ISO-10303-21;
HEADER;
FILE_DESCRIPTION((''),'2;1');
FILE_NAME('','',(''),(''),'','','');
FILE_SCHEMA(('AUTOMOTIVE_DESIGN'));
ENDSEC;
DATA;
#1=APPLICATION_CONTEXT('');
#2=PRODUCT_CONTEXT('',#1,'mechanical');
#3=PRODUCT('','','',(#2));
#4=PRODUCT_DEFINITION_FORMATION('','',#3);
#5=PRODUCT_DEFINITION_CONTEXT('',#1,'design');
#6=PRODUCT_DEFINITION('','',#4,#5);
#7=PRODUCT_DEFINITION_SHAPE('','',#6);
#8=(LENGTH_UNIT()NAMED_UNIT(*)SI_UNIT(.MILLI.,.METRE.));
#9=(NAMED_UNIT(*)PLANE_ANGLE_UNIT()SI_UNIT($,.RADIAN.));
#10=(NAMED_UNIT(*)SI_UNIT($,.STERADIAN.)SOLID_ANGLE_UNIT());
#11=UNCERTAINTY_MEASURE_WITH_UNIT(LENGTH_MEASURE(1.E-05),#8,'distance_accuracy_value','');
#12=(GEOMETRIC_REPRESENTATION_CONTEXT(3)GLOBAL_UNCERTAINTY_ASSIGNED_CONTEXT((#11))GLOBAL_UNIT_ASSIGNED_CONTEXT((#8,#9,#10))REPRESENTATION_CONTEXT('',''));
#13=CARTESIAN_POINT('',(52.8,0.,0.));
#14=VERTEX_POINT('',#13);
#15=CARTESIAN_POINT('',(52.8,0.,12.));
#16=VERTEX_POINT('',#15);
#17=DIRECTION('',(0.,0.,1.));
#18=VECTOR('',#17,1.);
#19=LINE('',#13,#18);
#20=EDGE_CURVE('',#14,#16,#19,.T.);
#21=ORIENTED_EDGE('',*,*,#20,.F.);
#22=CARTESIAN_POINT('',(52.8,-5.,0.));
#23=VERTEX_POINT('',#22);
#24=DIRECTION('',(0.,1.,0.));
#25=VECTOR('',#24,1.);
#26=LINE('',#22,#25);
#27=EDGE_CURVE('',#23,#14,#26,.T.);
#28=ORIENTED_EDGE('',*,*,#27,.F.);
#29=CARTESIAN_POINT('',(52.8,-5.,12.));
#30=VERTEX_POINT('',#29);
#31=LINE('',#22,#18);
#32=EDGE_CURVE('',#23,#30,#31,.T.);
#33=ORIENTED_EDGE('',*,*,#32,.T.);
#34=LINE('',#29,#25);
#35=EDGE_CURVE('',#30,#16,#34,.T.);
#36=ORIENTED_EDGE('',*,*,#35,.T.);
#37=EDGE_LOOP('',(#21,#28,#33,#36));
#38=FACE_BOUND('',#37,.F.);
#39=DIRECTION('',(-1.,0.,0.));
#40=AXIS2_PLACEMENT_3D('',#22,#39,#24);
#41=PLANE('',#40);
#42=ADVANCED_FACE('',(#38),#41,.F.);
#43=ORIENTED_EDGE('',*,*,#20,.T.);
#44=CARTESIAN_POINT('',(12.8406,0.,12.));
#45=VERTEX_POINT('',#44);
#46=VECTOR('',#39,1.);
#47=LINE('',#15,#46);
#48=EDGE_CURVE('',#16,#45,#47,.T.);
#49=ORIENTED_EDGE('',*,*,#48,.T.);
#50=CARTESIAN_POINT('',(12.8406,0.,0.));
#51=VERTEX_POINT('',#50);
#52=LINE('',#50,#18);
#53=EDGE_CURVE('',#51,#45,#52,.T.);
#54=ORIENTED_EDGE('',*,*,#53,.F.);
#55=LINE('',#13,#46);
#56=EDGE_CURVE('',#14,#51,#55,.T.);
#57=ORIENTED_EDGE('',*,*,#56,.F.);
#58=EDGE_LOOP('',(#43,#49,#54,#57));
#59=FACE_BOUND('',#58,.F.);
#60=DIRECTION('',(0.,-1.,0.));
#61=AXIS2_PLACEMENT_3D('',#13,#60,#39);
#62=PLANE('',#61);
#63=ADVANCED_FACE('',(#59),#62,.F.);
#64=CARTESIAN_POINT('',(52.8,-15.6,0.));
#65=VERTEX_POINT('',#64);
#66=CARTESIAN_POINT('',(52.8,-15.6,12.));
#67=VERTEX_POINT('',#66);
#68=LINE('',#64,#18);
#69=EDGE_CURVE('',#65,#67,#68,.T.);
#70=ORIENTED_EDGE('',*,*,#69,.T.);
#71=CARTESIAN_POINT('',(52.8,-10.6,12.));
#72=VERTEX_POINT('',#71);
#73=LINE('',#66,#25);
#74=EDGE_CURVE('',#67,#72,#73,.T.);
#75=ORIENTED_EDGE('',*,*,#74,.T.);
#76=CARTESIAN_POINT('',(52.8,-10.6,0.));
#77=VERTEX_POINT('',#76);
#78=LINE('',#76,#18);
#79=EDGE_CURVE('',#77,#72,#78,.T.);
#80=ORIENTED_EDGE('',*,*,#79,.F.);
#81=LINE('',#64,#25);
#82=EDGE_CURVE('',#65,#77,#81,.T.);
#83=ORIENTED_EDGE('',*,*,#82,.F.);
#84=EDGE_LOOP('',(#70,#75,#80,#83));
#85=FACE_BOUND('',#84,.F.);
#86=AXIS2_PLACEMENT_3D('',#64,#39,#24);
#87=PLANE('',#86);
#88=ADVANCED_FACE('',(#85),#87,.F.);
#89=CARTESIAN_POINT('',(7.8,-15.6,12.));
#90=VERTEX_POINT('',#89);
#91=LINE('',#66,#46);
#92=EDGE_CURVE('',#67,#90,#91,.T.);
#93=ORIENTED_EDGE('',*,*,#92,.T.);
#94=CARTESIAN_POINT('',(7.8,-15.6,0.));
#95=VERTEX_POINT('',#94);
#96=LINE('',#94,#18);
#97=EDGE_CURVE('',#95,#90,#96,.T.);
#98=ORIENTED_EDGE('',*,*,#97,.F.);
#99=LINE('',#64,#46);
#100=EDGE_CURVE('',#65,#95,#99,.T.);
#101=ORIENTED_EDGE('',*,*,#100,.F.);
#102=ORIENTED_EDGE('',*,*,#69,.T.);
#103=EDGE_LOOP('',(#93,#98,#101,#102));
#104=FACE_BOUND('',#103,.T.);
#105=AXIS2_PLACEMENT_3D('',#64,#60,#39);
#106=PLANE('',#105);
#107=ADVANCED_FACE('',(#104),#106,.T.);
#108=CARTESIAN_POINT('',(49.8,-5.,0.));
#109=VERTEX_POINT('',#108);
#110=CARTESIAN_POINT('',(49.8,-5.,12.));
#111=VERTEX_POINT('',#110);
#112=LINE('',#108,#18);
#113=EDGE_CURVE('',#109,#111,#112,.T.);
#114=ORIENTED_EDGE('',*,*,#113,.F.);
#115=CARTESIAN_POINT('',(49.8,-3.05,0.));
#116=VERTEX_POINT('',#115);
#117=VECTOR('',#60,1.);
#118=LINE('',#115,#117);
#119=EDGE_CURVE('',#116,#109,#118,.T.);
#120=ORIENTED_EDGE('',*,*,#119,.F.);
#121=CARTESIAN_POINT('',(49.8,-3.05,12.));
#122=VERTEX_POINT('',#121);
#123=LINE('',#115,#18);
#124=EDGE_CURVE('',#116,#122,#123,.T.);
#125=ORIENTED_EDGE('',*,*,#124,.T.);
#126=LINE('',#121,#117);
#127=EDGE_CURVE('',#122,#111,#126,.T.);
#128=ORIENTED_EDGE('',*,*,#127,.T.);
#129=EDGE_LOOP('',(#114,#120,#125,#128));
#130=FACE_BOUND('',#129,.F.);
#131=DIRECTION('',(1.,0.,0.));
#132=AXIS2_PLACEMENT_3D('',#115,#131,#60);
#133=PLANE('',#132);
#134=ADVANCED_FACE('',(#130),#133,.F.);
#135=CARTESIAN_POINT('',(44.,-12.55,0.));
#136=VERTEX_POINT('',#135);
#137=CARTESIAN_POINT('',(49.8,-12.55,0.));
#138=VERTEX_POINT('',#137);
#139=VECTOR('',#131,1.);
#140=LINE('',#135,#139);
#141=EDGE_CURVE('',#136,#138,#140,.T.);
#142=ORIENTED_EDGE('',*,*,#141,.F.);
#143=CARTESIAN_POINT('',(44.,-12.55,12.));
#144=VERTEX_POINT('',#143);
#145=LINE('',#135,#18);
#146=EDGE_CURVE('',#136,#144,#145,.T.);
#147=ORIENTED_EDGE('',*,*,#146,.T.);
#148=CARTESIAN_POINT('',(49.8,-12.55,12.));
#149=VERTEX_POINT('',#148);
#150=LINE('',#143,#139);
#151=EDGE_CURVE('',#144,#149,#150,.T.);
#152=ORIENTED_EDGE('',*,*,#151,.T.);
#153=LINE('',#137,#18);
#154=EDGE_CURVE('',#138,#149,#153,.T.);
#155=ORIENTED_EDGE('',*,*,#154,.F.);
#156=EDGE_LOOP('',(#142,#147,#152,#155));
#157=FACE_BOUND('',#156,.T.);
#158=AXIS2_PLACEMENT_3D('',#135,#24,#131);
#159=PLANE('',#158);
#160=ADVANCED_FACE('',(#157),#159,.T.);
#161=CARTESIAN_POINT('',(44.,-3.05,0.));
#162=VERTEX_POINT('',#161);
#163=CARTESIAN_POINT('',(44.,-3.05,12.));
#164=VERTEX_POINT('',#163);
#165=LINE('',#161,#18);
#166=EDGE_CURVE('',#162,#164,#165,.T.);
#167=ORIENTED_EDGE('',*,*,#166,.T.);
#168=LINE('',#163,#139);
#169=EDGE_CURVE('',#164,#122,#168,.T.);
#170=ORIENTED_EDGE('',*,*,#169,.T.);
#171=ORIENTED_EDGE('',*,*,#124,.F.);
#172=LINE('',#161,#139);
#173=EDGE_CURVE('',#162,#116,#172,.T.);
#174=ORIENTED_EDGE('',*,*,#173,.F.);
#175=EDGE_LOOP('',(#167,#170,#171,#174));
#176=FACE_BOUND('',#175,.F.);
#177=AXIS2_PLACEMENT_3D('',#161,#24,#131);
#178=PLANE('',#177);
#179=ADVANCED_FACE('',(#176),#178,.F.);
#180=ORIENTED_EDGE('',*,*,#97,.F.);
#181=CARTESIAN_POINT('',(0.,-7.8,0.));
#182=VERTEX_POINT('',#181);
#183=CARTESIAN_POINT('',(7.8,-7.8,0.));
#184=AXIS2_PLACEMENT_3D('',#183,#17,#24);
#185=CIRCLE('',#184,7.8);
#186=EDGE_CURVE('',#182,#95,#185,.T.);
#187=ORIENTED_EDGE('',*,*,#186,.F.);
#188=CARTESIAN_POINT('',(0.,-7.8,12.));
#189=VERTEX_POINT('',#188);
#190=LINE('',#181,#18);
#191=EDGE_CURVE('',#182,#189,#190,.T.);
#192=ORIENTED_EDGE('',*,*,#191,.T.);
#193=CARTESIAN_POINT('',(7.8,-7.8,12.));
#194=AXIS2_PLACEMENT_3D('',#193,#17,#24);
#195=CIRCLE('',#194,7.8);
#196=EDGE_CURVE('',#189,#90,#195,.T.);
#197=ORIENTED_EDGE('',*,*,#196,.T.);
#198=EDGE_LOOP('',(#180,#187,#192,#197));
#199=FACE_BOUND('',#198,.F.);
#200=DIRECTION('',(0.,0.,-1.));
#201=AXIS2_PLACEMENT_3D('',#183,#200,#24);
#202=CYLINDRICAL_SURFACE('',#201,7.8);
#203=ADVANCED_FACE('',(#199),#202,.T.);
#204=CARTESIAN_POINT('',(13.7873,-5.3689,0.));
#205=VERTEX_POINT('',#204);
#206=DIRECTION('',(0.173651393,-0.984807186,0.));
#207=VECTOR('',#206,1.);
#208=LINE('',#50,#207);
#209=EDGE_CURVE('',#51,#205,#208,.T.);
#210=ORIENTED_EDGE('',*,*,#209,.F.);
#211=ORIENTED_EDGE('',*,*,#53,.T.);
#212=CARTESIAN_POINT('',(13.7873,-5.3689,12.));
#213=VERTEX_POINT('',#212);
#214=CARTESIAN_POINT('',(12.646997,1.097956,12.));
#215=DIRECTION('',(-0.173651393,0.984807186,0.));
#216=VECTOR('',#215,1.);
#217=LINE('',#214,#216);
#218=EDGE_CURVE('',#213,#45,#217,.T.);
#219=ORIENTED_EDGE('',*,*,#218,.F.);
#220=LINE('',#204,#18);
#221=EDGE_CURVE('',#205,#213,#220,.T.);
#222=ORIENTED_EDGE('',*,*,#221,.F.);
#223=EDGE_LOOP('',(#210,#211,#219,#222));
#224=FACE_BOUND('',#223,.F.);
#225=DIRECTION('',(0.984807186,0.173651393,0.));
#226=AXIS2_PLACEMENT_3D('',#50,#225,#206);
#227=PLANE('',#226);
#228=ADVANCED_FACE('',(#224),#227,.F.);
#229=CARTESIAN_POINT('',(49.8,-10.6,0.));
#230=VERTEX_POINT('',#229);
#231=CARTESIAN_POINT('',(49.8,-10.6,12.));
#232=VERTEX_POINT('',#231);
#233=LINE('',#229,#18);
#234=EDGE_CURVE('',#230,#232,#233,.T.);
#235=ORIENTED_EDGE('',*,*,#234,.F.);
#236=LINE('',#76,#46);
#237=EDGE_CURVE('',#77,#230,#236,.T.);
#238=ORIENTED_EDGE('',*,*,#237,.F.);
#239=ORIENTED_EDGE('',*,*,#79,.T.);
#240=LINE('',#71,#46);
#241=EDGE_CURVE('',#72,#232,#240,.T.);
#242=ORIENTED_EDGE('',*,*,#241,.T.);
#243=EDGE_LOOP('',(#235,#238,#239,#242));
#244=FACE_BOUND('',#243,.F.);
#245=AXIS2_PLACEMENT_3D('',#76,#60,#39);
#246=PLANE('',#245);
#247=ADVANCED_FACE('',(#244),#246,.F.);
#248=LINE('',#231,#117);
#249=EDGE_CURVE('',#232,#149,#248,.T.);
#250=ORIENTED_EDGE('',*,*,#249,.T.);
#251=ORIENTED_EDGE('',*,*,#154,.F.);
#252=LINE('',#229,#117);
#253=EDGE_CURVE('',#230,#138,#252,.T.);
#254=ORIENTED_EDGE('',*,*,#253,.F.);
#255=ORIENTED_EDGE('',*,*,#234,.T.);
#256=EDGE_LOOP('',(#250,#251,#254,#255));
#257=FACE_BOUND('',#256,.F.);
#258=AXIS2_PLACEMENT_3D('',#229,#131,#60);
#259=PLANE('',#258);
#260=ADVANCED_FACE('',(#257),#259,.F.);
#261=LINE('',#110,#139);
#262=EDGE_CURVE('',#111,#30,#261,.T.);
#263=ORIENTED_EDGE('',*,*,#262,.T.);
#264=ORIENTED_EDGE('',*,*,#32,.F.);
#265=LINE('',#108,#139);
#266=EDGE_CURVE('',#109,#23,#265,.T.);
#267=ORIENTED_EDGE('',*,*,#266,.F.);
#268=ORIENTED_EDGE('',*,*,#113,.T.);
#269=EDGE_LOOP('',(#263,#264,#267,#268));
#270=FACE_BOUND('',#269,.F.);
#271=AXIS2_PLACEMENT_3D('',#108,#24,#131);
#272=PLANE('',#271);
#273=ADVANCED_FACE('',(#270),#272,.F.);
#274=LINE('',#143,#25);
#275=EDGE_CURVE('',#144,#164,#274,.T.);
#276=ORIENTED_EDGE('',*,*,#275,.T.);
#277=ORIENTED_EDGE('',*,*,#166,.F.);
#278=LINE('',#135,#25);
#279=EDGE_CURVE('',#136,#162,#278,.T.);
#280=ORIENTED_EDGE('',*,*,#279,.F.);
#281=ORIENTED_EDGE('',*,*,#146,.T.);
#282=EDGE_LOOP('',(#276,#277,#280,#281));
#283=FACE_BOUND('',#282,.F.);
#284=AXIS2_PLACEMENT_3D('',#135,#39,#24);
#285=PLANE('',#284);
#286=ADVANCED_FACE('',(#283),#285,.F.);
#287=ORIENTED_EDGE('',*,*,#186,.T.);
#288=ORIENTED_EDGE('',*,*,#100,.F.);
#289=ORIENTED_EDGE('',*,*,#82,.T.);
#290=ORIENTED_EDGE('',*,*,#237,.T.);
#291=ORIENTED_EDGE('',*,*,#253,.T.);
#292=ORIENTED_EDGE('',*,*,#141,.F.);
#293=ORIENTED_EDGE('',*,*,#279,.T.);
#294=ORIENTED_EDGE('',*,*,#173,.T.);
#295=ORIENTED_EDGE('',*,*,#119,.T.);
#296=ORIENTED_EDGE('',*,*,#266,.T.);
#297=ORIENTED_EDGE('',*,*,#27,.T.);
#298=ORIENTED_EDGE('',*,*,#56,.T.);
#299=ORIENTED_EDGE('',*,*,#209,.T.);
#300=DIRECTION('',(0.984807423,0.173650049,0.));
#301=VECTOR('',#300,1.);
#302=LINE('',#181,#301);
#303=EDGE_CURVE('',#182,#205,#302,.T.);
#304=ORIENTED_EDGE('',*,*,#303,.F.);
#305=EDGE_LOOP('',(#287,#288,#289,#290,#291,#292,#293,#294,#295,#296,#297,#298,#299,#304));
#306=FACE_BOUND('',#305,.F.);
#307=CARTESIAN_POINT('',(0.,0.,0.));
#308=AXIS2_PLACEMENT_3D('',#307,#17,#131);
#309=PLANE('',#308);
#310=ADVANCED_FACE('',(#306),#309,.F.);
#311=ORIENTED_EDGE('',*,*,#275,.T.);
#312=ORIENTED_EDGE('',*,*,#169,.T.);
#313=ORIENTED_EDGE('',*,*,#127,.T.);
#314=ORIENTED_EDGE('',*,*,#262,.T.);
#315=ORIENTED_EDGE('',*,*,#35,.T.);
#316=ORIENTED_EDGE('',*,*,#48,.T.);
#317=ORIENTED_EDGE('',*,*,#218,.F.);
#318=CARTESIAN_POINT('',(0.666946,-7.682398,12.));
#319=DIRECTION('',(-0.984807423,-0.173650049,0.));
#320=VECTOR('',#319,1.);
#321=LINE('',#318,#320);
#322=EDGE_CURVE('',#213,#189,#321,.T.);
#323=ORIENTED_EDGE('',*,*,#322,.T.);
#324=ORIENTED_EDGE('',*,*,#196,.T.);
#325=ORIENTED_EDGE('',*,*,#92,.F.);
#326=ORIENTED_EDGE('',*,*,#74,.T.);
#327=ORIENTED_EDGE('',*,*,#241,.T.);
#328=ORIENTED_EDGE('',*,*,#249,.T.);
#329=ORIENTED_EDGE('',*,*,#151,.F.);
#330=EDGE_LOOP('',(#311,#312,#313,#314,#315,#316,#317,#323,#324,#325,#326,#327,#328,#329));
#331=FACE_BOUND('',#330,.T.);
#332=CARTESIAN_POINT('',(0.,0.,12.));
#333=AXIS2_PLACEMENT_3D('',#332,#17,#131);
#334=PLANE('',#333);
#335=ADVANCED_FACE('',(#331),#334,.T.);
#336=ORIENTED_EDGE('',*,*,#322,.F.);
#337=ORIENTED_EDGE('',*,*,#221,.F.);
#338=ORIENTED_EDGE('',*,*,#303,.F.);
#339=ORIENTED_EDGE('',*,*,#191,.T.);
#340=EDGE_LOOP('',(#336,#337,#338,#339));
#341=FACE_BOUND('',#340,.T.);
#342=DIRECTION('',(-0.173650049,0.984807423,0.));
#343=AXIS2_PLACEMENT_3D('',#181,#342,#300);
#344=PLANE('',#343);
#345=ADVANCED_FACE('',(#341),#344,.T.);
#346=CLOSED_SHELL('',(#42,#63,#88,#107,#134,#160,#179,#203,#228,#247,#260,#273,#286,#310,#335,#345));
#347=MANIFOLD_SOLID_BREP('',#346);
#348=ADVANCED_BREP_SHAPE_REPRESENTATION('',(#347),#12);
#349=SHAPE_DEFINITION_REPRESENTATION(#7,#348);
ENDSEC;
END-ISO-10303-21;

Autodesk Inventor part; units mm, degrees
ref_plane "YZ Plane" through (0, 0, 0) normal (1, 0, 0) x (0, 1, 0)
ref_plane "XZ Plane" through (0, 0, 0) normal (0, 1, 0) x (-1, 0, 0)
ref_plane "XY Plane" through (0, 0, 0) normal (0, 0, 1) x (1, 0, 0)
sketch "Sketch5" plane through (0, 0, 0) normal (0, 0, 1) x (1, 0, 0)
  line L0 (52.8, -15.6) -> (52.8, -10.6)
  line L1 (52.8, -10.6) -> (49.8, -10.6)
  line L2 (49.8, -10.6) -> (49.8, -12.55)
  line L3 (44, -12.55) -> (44, -3.05)
  line L4 (49.8, -3.05) -> (49.8, -5)
  line L5 (49.8, -5) -> (52.8, -5)
  line L6 (52.8, -5) -> (52.8, 0)
  line L7 (52.8, 0) -> (7.8, 0)
  line L8 (44, -3.05) -> (49.8, -3.05)
  line L9 (44, -12.55) -> (49.8, -12.55)
  line L10 (52.8, -15.6) -> (7.8, -15.6)
  arc A0 (7.8, 0) -> (7.8, -15.6) centre (7.8, -7.8) ccw
  point P0 (0, 0)
  dimension "d41" = 5.8
  dimension "d48" = 44
  dimension "d50" = 3
  dimension "d63" = 45
  dimension "d67" = 15.6
  dimension "d71" = 0
  dimension "d72" = 36.2
  dimension "d87" = 5.6
  dimension "d88" = 9.5
extrude "Extrusion2" add sketch "Sketch5" along normal blind 12
sketch "Sketch8" plane through (0, 0, 0) normal (0, 0, -1) x (-1, 0, 0)
  arc A0 (-7.8, -15.6) -> (-7.8, 0) centre (-7.8, -7.8) ccw projected
  line L0 (-12.8406, 0) -> (-13.7873, -5.3689)
  line L1 (-7.8, 0) -> (-1.143, 0) construction
  arc A1 (-7.8, -15.6) -> (-7.8, 0) centre (-7.8, -7.8) ccw projected
  line L2 (-7.8, -7.8) -> (4.6142, -7.8) construction
  line L3 (1.4517, -9.4313) -> (-7.8, -7.8) construction
  line L4 (-7.8, -7.8) -> (-18.1105, -5.982) construction
  line L5 (-52.8, 0) -> (-7.8, 0) projected
  arc A2 (-0.1185, -9.1545) -> (-7.8, 0) centre (-7.8, -7.8) ccw
  line L6 (0, -7.8) -> (-13.7873, -5.3689)
  line L7 (-52.8, 0) -> (-7.8, 0) projected
  line L8 (-7.8, 0) -> (-12.8406, 0)
  point P0 (0, 0)
  point P1 (-9.1339, -7.5648)
  dimension "d80" = 100
  dimension "d81" = 10
  dimension "d89" = 14
extrude "Extrusion5" cut sketch "Sketch8" against normal through all
equation "\"l1\" = 8"
properties part number "Finray_test_8_Kerbe_10deg"
